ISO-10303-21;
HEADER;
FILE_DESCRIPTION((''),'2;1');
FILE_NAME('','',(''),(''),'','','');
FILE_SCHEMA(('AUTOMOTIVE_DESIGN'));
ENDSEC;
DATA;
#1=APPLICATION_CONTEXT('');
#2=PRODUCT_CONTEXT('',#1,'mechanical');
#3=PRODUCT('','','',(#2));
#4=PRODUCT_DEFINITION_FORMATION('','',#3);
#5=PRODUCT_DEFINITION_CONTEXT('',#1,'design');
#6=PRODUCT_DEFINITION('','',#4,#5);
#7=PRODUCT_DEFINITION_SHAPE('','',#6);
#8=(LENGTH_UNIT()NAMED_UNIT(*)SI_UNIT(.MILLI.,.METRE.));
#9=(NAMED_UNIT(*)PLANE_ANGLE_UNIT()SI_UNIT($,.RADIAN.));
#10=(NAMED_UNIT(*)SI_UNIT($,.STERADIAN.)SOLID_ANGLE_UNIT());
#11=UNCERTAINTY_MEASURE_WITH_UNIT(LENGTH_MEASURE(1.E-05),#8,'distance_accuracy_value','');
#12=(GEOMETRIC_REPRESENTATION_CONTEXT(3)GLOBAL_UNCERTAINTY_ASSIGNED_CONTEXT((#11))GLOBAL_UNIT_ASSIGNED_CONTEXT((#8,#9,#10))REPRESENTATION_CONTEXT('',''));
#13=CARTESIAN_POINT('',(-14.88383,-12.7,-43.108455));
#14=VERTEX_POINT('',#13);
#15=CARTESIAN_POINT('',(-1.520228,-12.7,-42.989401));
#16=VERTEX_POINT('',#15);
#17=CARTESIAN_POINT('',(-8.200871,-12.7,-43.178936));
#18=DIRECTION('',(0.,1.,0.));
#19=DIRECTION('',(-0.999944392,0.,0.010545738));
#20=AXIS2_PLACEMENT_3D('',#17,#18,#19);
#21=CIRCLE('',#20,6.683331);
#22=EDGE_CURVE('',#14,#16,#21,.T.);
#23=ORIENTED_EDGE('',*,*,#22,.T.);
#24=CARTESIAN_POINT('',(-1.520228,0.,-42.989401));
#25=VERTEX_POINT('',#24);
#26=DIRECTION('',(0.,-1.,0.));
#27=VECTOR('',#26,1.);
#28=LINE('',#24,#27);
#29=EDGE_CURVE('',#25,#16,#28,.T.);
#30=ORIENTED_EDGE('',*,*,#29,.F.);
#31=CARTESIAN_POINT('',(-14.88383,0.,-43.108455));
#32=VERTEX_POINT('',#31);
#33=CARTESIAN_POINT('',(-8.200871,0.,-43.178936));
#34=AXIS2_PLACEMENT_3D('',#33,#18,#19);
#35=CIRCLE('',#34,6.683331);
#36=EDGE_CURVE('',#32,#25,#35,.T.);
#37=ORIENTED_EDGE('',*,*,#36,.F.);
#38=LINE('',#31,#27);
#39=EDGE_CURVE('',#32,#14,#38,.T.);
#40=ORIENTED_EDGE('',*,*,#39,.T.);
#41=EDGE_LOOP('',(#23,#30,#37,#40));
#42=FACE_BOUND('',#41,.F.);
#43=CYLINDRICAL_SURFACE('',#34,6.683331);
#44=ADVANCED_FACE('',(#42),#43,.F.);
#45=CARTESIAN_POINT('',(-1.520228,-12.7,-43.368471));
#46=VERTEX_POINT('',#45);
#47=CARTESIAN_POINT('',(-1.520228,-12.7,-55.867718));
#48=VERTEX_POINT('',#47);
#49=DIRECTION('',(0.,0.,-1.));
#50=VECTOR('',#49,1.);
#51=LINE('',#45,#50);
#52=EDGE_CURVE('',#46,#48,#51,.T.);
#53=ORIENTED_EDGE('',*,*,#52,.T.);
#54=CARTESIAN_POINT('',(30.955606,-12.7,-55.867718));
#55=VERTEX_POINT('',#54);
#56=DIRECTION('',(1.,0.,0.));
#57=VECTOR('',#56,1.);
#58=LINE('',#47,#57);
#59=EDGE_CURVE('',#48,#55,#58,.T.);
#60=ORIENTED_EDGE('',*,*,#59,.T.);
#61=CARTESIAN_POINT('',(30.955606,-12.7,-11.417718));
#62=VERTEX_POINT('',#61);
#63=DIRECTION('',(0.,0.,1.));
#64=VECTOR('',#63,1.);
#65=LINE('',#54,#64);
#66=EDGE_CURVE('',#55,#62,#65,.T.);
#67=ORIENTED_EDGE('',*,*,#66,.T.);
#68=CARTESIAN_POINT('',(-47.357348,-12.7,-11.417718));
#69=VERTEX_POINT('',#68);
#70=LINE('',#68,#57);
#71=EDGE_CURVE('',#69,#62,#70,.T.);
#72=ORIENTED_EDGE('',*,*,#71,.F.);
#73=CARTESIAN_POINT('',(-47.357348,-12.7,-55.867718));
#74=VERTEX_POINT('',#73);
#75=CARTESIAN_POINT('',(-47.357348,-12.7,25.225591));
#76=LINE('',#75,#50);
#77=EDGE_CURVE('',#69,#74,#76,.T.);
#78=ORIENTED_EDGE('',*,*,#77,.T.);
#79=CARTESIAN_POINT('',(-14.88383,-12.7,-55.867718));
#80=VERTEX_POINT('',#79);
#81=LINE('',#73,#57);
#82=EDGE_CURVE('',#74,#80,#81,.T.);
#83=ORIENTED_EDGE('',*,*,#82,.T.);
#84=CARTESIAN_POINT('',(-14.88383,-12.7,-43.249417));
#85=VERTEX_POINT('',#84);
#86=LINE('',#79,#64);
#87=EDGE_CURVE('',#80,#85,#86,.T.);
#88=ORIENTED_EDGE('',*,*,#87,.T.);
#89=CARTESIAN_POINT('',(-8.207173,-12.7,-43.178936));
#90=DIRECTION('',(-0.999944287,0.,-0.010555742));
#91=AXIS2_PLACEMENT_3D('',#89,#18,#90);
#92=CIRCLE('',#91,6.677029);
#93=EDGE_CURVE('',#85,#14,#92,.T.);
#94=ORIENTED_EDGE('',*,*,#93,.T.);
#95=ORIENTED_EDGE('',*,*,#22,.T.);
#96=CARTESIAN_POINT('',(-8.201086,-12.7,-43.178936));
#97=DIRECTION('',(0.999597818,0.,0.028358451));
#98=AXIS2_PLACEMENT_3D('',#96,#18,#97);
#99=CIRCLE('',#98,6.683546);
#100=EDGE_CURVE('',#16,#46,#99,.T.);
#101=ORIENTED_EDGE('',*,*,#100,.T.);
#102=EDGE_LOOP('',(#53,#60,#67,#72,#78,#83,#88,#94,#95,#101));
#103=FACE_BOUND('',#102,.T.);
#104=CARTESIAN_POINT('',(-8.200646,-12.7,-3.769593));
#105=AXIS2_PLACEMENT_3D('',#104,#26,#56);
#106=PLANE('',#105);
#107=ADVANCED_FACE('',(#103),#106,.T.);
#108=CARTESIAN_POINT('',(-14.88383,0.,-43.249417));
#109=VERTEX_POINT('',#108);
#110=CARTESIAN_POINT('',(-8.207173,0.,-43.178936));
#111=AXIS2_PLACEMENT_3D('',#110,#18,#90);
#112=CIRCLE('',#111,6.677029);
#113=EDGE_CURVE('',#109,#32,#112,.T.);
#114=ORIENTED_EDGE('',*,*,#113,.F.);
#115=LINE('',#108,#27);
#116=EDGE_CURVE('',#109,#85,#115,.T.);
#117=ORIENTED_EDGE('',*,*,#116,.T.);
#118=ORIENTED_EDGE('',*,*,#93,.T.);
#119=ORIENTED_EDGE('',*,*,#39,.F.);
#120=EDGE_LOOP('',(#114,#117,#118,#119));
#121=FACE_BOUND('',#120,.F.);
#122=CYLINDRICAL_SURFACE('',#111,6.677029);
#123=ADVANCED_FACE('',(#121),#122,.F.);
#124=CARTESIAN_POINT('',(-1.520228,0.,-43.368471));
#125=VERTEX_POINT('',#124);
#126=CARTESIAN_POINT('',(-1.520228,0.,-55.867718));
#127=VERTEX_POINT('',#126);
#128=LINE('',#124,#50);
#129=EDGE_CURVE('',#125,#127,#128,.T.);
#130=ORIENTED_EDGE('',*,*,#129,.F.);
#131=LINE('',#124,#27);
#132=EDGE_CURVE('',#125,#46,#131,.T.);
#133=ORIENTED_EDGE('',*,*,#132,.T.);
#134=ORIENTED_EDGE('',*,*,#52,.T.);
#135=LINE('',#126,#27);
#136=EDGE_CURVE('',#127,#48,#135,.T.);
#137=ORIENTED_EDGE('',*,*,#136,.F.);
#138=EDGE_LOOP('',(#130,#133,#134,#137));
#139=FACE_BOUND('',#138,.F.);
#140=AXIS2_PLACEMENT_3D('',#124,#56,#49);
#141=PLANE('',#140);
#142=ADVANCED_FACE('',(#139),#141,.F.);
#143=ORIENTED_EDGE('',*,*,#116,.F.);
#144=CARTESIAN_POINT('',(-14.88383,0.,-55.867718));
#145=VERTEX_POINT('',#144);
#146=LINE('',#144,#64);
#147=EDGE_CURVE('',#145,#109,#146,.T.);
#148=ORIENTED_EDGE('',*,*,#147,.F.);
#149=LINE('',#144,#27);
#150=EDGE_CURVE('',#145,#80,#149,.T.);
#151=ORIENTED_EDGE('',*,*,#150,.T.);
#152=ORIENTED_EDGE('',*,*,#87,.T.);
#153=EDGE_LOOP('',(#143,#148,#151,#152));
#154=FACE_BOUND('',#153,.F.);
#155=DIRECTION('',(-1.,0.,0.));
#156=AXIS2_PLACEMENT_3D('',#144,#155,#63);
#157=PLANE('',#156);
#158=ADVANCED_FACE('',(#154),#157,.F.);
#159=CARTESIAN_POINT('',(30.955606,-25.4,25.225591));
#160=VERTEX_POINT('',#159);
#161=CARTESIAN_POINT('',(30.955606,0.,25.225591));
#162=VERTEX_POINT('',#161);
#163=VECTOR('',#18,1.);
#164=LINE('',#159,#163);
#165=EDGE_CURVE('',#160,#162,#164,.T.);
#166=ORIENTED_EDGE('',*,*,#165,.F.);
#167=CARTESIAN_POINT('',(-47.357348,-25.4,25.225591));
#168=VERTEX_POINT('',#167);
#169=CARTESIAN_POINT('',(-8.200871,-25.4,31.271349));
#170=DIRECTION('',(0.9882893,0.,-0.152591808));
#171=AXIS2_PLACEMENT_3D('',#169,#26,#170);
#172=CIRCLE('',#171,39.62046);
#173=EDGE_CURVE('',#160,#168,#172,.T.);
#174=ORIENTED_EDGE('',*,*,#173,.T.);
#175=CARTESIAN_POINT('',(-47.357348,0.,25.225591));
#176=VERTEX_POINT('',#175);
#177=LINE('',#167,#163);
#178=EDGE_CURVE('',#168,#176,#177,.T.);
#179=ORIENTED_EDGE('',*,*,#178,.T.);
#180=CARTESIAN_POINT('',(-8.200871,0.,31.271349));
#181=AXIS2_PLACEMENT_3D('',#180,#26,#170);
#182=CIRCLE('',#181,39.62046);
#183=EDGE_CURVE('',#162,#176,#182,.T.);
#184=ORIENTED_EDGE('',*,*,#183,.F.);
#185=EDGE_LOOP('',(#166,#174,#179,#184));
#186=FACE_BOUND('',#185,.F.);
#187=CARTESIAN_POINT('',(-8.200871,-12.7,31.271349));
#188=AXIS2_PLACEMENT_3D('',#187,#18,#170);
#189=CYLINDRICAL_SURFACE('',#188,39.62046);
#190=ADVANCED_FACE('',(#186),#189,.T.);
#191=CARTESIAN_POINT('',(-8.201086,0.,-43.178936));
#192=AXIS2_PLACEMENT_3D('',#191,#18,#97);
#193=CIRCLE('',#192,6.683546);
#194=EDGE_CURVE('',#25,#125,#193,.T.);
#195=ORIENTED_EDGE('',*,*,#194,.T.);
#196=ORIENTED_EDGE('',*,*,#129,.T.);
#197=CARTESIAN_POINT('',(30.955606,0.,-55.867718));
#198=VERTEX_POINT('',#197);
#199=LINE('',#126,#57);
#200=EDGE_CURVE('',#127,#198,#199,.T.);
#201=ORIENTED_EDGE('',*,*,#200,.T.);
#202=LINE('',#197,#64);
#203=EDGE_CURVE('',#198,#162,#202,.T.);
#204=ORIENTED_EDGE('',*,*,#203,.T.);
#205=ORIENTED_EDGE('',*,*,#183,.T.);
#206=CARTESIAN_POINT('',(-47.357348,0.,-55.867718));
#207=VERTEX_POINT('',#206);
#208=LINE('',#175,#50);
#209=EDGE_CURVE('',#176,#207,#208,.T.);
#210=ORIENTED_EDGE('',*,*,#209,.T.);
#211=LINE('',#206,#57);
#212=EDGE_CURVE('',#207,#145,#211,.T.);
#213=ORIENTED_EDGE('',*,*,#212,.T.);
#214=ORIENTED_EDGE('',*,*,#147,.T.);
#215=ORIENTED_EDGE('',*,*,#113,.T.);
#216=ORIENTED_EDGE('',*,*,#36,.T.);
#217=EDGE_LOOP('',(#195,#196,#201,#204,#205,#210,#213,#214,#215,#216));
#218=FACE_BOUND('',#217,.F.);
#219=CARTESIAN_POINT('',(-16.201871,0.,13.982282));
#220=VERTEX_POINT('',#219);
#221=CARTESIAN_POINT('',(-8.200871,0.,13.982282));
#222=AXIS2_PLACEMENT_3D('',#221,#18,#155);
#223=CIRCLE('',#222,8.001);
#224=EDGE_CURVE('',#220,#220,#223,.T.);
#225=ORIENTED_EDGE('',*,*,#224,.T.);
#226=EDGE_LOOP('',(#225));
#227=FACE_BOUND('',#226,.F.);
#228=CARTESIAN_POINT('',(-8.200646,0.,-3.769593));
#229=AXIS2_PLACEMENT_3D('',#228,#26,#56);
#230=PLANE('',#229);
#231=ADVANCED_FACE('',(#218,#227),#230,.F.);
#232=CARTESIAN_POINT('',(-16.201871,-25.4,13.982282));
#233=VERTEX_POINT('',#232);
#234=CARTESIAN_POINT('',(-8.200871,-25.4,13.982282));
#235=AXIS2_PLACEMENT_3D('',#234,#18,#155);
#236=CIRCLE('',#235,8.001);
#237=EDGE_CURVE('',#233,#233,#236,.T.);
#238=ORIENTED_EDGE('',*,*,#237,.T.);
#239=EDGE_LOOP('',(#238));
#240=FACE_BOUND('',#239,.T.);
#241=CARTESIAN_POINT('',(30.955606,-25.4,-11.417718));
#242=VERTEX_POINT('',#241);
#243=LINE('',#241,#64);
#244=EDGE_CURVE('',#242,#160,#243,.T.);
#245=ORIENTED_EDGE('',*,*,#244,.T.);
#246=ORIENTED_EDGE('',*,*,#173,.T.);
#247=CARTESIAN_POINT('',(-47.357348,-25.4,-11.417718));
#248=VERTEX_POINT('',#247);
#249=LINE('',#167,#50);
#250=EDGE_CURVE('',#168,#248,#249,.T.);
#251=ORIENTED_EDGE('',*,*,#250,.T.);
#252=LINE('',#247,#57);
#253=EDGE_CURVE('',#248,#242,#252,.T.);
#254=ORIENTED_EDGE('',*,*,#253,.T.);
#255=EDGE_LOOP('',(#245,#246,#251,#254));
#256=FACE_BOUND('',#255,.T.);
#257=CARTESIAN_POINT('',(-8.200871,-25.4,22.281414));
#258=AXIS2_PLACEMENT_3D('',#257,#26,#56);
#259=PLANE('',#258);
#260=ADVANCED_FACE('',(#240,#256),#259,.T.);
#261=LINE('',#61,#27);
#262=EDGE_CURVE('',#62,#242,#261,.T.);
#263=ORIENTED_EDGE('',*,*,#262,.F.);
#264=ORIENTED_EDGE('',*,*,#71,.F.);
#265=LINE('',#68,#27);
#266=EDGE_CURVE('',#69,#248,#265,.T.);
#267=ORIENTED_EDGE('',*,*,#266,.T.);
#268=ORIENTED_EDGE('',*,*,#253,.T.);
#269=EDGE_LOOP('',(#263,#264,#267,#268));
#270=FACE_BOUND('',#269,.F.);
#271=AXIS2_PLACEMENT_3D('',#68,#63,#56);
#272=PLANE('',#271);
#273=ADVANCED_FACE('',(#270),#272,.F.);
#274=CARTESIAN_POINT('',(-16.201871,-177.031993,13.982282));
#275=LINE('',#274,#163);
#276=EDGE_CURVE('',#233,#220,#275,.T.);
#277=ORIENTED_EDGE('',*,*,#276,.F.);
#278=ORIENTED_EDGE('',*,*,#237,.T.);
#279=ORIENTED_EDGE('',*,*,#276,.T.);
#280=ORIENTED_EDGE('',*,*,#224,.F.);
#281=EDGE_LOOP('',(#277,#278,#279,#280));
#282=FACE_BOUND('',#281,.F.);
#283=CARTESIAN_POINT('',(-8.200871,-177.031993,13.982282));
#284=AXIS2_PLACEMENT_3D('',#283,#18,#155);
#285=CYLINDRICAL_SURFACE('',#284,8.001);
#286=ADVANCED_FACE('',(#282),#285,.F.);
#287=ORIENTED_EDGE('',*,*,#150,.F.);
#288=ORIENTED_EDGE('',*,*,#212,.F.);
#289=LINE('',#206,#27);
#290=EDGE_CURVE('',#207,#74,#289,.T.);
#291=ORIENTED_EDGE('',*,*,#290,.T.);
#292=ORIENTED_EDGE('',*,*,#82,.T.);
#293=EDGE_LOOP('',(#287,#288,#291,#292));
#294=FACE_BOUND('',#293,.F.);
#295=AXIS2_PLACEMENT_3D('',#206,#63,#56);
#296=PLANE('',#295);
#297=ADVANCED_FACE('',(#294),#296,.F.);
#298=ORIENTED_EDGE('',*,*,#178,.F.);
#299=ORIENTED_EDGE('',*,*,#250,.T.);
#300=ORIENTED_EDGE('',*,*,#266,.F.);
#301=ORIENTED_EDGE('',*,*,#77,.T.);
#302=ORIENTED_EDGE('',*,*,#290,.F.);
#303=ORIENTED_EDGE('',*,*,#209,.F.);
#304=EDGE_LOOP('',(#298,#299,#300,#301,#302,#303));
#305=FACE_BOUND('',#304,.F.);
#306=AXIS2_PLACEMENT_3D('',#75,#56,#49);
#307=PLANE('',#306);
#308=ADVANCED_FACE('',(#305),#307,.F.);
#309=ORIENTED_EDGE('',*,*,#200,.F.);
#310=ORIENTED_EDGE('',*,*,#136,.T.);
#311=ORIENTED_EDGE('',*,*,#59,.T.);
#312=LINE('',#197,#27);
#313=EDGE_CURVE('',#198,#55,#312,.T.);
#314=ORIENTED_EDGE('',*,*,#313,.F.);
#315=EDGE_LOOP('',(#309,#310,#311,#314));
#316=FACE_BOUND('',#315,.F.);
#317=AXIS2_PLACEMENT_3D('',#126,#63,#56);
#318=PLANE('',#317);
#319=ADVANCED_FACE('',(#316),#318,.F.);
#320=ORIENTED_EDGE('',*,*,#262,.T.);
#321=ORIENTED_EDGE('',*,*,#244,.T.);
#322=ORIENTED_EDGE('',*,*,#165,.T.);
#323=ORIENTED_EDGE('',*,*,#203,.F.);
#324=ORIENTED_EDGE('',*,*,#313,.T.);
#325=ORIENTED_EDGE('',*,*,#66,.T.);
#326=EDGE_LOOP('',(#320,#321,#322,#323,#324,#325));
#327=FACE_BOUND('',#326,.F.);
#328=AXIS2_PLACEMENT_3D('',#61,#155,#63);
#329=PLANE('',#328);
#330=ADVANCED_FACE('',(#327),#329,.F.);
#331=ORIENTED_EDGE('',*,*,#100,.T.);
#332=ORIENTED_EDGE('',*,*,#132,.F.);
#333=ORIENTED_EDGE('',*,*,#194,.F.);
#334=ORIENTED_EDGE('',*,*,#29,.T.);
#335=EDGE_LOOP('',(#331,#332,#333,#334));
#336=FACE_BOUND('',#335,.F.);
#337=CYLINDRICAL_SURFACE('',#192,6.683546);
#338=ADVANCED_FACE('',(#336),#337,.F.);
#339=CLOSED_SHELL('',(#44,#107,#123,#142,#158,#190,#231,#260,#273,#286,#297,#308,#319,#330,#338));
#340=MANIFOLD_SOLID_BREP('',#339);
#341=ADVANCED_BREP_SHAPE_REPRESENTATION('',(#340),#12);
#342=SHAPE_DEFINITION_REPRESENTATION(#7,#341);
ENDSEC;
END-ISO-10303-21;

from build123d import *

# Parameters (mm, degrees)
F1_DEPTH = 12.7
F3_DEPTH = 12.7
F5_D     = 16.002


with BuildPart() as f1:
    # F0 (on Front) → F1 (new body)
    with BuildSketch(Plane.XZ):
        with BuildLine():
            Line((-47.357348, 25.225591), (-47.357348, -19.035261))
            Line((-47.357348, -19.035261), (-47.357348, -55.867718))
            Line((-47.357348, -55.867718), (-14.88383, -55.867718))
            Line((-14.88383, -55.867718), (-14.88383, -43.249417))
            ThreePointArc((-14.88383, -43.249417), (-14.884202, -43.178936), (-14.88383, -43.108455))
            ThreePointArc((-14.88383, -43.108455), (-8.260409, -36.49587), (-1.520228, -42.989401))
            ThreePointArc((-1.520228, -42.989401), (-1.51754, -43.178936), (-1.520228, -43.368471))
            Line((-1.520228, -43.368471), (-1.520228, -55.867718))
            Line((-1.520228, -55.867718), (30.955606, -55.867718))
            Line((30.955606, -55.867718), (30.955606, 25.225591))
            ThreePointArc((30.955606, 25.225591), (-8.200871, 70.891809), (-47.357348, 25.225591))
        make_face()
    extrude(amount=F1_DEPTH)

    # F2 (on face) → F3 (join)
    with BuildSketch(Plane.XZ.offset(12.7)):
        with BuildLine():
            Line((-47.357348, 25.225591), (-47.357348, -11.417718))
            Line((-47.357348, -11.417718), (30.955606, -11.417718))
            Line((30.955606, -11.417718), (30.955606, 25.225591))
            ThreePointArc((30.955606, 25.225591), (-8.200871, 70.891809), (-47.357348, 25.225591))
        make_face()
    extrude(amount=F3_DEPTH)

    # F5 (through all)
    with Locations(Plane.XZ.offset(25.4)):
        with Locations((-8.200871, 13.982282)):
            Hole(F5_D / 2)


solid = f1.part
